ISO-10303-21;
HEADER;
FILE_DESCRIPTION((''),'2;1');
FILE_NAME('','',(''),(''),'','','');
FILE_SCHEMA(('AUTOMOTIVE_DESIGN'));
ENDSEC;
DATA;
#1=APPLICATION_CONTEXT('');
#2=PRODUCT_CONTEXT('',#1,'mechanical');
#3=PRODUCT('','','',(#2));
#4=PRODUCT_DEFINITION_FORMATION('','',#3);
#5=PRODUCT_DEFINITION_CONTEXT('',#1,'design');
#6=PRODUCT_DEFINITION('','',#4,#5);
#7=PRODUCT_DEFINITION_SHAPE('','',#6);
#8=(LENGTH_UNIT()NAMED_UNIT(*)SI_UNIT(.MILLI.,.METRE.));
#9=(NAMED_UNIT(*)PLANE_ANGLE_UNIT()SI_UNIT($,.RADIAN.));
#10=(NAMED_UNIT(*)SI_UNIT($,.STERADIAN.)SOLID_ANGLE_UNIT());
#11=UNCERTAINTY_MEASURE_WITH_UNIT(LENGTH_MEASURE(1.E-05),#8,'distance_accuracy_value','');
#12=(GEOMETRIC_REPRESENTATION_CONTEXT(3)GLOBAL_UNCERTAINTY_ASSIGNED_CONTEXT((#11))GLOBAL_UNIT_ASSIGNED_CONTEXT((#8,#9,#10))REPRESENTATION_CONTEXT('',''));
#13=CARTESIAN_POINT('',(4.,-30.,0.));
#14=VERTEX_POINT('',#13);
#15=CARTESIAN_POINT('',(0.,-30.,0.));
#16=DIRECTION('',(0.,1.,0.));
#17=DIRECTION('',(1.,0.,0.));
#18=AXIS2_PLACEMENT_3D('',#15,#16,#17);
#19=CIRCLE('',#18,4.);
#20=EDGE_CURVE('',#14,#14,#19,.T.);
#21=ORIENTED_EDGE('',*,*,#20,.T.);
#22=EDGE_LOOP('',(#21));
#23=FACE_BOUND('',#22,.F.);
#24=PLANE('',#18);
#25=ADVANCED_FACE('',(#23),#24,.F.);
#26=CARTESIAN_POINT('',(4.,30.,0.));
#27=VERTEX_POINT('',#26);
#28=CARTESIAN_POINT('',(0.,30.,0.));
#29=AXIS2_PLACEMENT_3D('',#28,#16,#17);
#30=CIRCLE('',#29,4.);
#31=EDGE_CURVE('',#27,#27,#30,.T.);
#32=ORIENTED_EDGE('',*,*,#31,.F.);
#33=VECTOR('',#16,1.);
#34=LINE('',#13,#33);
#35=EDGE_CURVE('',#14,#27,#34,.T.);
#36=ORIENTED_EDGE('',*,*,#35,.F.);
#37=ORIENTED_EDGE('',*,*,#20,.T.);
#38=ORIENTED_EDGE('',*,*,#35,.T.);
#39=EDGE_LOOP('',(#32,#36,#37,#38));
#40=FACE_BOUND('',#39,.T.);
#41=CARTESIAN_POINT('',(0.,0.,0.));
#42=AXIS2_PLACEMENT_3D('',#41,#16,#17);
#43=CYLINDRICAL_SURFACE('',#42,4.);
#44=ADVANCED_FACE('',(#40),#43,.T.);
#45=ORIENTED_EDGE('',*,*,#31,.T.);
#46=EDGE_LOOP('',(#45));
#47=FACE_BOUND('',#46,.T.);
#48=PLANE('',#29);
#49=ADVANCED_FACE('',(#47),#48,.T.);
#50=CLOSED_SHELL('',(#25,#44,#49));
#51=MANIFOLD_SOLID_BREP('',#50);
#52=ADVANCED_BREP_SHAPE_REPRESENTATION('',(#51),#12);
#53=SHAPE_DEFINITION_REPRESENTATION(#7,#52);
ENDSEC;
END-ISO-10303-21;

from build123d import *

# Parameters (mm, degrees)
SKETCH1_R           = 4
BOSS_EXTRUDE1_DEPTH = 30


with BuildPart() as part:
    # Sketch1 → Boss-Extrude1 (new body, symmetric)
    with BuildSketch(Plane(origin=(0, 0, 0), x_dir=(1, 0, 0), z_dir=(0, 1, 0))):
        Circle(SKETCH1_R)
    extrude(amount=BOSS_EXTRUDE1_DEPTH, both=True)


solid = part.part
